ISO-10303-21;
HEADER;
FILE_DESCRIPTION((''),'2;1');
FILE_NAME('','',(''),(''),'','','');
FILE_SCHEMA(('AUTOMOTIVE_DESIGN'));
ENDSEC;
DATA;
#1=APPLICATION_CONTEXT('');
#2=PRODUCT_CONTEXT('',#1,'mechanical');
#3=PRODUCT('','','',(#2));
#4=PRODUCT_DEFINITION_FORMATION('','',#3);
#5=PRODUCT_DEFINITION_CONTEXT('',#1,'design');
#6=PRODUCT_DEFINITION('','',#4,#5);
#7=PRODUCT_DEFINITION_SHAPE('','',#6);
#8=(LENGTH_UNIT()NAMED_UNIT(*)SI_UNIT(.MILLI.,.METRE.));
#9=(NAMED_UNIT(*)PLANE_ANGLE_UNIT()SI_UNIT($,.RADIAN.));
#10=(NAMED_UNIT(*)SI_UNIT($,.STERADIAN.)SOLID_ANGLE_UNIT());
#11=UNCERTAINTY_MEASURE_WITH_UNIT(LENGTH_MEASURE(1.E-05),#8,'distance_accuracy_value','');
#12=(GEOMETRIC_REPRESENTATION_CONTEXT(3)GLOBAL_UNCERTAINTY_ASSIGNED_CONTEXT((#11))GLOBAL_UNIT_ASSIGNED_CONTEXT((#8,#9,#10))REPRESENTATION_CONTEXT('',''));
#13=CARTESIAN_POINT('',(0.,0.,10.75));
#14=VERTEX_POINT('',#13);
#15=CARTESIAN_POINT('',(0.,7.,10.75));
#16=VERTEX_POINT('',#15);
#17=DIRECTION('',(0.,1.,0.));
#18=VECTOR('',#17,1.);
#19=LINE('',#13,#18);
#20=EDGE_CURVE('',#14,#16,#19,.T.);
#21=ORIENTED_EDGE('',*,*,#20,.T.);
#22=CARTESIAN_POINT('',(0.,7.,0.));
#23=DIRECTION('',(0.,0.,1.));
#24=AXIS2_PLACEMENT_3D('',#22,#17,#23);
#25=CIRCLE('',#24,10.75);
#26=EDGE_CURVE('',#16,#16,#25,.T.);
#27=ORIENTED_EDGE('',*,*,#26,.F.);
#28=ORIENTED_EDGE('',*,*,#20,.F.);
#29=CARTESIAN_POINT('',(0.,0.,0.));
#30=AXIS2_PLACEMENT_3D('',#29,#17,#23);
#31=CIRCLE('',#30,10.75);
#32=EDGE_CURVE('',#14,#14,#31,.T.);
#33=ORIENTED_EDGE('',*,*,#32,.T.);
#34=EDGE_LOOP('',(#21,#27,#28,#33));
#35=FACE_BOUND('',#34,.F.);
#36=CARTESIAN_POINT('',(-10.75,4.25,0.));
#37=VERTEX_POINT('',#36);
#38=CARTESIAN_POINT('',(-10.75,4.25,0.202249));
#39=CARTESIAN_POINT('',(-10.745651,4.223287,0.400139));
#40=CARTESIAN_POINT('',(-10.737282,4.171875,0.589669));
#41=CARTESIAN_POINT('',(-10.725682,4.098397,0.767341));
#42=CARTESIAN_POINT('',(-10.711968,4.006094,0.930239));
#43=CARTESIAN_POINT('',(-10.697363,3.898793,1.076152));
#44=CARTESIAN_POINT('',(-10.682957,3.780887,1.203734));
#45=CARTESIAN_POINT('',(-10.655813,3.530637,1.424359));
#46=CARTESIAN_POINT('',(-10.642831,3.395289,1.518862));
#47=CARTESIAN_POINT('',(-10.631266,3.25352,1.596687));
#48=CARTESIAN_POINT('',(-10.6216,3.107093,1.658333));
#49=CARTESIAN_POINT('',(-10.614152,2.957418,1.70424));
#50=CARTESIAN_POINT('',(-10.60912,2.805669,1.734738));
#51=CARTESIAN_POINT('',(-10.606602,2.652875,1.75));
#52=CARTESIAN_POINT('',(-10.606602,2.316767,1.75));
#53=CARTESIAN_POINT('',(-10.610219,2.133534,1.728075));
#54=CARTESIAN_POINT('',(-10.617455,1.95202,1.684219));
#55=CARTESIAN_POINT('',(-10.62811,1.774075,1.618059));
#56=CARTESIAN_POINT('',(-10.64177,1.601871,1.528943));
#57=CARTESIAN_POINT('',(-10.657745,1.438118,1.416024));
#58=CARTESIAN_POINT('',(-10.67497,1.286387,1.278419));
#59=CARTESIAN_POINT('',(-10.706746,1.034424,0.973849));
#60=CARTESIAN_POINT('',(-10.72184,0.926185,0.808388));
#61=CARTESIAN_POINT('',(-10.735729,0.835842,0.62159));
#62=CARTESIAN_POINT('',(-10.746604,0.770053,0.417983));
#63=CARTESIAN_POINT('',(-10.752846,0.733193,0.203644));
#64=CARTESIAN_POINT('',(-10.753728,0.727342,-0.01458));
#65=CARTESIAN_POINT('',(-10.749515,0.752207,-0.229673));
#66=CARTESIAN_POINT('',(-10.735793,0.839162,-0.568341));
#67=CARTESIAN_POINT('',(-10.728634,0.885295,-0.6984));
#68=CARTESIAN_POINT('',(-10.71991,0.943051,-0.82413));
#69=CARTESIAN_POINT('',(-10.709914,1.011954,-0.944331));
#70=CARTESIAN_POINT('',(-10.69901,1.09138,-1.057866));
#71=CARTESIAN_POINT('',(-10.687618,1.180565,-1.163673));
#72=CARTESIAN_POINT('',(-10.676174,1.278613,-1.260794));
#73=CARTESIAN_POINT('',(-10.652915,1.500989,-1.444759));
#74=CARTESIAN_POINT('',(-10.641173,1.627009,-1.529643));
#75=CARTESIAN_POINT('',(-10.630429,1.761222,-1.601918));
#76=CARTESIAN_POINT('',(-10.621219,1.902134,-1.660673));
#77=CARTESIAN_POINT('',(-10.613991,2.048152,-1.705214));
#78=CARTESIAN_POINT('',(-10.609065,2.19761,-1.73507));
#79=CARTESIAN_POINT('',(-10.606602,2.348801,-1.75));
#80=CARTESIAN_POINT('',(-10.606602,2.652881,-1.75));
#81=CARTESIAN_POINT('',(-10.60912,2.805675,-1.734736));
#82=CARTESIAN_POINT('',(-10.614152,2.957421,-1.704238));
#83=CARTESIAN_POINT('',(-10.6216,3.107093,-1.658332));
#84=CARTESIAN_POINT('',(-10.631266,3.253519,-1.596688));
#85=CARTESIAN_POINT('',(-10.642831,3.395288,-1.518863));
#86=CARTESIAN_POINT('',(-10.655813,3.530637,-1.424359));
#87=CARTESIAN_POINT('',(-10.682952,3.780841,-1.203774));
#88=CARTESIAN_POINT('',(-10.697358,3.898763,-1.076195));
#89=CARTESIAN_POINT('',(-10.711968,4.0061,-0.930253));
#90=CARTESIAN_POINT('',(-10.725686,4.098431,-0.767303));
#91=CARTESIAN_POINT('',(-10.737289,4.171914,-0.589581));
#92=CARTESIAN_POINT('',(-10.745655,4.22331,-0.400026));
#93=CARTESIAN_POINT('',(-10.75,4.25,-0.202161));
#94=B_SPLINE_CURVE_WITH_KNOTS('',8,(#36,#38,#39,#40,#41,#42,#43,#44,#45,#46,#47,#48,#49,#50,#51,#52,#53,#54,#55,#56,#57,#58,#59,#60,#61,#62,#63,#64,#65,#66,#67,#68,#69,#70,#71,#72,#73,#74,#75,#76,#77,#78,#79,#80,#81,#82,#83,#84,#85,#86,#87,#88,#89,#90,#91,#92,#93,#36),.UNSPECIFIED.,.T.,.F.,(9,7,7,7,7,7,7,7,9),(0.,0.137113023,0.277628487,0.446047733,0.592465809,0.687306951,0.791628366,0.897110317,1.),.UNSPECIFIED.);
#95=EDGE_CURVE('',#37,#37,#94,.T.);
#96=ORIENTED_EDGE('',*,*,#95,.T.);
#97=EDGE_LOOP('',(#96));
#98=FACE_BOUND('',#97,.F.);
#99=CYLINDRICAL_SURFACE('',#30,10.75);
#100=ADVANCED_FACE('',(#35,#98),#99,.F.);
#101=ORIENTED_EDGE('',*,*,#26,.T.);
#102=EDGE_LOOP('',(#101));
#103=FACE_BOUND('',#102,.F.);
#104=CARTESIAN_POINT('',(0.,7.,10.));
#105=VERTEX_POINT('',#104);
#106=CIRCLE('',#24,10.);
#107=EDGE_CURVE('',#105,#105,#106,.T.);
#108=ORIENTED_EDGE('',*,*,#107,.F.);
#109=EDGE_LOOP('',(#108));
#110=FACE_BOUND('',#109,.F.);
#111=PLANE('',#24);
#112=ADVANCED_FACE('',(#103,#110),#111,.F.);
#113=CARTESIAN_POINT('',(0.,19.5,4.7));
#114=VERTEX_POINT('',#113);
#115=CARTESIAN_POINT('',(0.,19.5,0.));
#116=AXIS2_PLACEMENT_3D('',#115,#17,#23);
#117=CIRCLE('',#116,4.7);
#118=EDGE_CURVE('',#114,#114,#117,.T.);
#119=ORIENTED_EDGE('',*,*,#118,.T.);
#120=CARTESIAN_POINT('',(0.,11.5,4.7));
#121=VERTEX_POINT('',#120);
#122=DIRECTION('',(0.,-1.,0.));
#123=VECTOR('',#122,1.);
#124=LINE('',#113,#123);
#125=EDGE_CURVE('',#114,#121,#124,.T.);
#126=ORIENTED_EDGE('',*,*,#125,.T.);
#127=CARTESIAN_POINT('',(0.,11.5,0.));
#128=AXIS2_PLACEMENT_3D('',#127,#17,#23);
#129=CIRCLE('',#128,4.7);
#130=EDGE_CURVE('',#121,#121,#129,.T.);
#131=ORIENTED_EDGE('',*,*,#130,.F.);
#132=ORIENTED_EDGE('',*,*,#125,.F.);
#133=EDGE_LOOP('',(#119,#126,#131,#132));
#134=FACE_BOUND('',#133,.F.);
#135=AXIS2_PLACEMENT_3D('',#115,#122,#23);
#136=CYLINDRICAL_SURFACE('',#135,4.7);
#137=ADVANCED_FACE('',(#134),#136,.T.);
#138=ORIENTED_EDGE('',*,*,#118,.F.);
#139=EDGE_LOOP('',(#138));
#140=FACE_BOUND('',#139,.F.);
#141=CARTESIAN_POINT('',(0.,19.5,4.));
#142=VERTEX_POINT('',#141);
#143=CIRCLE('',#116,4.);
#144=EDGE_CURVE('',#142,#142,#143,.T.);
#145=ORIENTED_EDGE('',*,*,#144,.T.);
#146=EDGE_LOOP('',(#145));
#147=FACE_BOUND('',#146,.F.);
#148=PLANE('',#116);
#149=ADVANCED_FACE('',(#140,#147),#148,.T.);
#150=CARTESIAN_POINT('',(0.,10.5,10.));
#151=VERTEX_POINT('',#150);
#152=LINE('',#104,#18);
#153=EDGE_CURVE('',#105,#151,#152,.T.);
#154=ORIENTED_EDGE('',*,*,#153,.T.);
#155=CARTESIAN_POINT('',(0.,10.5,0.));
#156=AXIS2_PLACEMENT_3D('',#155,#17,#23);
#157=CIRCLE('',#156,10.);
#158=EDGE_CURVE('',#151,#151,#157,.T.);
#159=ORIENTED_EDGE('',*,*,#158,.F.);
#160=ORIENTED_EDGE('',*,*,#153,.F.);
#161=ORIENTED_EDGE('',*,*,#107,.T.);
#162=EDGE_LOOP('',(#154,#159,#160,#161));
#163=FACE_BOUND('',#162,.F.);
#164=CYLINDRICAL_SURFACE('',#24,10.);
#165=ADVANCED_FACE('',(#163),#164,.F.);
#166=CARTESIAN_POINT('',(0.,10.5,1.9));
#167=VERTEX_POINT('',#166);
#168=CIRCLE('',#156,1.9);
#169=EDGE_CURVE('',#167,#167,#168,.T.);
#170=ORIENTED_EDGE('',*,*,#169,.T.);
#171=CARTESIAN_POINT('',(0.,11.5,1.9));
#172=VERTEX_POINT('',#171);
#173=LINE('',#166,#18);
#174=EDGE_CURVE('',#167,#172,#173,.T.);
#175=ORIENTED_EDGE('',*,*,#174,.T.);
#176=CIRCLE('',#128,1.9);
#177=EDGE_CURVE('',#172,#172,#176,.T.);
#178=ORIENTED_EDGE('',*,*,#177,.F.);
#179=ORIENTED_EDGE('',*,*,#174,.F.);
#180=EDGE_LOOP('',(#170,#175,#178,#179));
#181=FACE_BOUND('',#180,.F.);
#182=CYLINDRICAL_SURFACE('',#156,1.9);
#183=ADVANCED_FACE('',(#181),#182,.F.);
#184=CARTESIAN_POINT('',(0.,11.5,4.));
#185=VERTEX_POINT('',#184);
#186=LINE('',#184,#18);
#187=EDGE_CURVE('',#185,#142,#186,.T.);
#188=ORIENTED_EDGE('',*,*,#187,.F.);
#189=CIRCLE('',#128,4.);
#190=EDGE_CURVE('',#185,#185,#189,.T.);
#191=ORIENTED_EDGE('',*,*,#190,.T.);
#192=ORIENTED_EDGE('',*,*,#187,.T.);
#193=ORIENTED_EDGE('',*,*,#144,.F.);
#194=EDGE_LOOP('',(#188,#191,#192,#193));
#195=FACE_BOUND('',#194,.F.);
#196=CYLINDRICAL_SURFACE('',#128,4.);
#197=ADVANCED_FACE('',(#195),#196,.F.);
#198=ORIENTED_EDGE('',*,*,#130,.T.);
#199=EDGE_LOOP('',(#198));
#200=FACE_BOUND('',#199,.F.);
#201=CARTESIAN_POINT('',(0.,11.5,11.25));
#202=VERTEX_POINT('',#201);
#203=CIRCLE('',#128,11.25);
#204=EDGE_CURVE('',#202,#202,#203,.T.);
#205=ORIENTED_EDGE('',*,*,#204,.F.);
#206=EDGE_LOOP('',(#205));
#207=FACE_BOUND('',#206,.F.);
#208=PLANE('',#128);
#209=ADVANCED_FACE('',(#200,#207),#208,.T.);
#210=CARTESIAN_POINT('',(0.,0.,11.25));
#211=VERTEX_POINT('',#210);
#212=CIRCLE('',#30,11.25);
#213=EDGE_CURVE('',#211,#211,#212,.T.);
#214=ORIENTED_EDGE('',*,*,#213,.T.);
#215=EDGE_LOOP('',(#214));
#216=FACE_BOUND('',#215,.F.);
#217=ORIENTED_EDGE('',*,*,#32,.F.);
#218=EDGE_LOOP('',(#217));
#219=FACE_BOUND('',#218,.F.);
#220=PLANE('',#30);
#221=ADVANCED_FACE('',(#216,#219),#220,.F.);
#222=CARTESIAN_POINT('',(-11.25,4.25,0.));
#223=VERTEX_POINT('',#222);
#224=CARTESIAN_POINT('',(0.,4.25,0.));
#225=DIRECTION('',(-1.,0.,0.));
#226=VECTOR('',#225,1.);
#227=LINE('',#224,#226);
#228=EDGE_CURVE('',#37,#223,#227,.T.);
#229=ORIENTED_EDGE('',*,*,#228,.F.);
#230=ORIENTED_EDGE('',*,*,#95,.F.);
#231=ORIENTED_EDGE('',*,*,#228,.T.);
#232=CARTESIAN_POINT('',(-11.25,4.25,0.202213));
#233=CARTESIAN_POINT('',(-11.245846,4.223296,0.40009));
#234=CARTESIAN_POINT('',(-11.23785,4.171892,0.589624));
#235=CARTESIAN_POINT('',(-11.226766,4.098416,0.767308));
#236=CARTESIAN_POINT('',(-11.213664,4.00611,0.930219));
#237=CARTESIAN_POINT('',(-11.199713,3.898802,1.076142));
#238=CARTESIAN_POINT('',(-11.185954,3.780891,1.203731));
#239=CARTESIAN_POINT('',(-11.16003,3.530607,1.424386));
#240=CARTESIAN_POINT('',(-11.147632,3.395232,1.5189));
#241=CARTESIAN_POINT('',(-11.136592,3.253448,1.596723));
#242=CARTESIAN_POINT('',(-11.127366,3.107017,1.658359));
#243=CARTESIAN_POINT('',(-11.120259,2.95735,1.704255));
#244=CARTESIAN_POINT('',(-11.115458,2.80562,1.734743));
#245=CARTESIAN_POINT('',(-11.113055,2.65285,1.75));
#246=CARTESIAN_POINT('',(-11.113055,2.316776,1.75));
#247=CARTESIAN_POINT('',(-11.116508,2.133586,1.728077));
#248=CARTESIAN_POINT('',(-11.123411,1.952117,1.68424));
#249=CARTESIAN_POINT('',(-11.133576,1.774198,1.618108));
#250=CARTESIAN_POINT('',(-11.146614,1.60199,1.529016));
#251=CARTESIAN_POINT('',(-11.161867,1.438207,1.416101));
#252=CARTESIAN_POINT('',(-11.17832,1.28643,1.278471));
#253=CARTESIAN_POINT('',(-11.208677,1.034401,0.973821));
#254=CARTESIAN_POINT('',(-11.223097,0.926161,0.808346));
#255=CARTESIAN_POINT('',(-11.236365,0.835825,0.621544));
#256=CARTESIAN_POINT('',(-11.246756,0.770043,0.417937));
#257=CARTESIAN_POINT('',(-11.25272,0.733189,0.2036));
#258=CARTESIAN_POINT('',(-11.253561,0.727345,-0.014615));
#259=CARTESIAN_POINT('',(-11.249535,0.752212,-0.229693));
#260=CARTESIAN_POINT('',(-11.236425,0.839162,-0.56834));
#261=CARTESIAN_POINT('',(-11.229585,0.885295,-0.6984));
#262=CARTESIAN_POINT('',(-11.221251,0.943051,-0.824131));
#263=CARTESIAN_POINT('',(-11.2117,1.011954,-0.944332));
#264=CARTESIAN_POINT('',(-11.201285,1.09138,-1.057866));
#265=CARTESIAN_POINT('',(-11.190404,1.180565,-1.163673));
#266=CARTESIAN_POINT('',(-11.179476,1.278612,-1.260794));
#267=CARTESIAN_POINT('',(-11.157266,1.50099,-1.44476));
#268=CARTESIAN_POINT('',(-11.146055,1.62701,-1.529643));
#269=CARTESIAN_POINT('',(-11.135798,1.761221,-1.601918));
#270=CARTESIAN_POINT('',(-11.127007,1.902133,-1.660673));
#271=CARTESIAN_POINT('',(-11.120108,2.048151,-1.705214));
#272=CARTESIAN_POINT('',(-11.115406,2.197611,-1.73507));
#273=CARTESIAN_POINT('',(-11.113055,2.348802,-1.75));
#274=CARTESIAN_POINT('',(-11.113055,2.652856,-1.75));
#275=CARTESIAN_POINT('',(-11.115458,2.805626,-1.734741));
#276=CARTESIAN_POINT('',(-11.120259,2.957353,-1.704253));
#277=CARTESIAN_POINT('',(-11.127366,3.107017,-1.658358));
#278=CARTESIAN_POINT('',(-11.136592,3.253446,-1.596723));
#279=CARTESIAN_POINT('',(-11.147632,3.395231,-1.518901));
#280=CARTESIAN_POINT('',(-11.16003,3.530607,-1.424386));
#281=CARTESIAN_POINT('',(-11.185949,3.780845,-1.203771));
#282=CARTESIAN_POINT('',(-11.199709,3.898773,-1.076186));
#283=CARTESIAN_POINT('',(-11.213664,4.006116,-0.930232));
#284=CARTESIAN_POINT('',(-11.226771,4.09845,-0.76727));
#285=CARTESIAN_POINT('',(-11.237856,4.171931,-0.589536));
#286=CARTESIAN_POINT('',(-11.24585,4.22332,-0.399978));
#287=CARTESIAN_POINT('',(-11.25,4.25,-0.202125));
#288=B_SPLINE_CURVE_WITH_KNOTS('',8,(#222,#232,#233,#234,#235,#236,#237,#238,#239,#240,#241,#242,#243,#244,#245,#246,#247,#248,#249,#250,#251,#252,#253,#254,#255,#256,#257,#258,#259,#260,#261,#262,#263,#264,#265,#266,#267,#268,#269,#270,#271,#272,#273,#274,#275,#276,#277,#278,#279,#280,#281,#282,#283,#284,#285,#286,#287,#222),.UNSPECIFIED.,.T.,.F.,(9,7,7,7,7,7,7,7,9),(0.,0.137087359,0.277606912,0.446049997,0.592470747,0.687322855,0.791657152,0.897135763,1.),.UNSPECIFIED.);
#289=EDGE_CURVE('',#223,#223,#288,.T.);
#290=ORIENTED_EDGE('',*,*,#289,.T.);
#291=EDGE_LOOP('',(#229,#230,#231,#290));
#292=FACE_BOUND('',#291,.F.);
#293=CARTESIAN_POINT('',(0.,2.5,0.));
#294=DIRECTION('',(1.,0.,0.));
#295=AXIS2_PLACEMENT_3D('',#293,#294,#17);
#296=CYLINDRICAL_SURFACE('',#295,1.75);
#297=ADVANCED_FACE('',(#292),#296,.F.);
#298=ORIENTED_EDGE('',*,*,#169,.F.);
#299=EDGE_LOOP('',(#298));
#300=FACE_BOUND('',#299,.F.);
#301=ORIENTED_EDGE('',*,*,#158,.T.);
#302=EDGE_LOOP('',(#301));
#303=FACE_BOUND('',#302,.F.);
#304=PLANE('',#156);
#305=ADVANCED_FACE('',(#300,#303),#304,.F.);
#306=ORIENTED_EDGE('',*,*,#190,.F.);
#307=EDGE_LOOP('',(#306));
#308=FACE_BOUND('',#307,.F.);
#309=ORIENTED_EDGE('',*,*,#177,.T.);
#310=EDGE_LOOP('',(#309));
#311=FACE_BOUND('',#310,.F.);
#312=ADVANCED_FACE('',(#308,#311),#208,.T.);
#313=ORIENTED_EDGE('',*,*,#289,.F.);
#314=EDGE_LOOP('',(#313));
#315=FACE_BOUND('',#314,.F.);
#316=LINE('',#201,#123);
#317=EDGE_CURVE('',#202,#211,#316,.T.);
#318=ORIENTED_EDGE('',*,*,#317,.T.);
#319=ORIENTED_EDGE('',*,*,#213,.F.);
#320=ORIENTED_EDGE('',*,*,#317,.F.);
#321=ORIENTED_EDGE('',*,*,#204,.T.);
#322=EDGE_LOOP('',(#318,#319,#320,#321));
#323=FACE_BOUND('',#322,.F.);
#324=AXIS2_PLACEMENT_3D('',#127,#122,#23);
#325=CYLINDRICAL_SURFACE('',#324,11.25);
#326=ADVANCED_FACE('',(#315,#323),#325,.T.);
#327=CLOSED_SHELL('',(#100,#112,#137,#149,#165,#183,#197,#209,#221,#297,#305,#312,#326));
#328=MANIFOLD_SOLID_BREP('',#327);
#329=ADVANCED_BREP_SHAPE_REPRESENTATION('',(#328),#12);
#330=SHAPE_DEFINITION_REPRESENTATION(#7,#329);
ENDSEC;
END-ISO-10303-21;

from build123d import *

# Parameters (mm, degrees)
F2_R     = 1.75
F3_DEPTH = 11.251


with BuildPart() as f1:
    # F0 (on Right) → F1 (revolve)
    with BuildSketch(Plane.YZ):
        Polygon((11.5, 11.25), (0, 11.25), (0, 10.75), (7, 10.75), (7, 10), (10.5, 10), (10.5, 1.9), (11.5, 1.9), (11.5, 4), (19.5, 4), (19.5, 4.7), (11.5, 4.7), align=None)
    revolve(axis=Axis((0, 13.454885, 0), (0, 1, 0)))

    # F2 (on Right) → F3 (cut, through all)
    with BuildSketch(Plane.YZ):
        with Locations((2.5, 0)):
            Circle(F2_R)
    extrude(amount=-F3_DEPTH, mode=Mode.SUBTRACT)


solid = f1.part
